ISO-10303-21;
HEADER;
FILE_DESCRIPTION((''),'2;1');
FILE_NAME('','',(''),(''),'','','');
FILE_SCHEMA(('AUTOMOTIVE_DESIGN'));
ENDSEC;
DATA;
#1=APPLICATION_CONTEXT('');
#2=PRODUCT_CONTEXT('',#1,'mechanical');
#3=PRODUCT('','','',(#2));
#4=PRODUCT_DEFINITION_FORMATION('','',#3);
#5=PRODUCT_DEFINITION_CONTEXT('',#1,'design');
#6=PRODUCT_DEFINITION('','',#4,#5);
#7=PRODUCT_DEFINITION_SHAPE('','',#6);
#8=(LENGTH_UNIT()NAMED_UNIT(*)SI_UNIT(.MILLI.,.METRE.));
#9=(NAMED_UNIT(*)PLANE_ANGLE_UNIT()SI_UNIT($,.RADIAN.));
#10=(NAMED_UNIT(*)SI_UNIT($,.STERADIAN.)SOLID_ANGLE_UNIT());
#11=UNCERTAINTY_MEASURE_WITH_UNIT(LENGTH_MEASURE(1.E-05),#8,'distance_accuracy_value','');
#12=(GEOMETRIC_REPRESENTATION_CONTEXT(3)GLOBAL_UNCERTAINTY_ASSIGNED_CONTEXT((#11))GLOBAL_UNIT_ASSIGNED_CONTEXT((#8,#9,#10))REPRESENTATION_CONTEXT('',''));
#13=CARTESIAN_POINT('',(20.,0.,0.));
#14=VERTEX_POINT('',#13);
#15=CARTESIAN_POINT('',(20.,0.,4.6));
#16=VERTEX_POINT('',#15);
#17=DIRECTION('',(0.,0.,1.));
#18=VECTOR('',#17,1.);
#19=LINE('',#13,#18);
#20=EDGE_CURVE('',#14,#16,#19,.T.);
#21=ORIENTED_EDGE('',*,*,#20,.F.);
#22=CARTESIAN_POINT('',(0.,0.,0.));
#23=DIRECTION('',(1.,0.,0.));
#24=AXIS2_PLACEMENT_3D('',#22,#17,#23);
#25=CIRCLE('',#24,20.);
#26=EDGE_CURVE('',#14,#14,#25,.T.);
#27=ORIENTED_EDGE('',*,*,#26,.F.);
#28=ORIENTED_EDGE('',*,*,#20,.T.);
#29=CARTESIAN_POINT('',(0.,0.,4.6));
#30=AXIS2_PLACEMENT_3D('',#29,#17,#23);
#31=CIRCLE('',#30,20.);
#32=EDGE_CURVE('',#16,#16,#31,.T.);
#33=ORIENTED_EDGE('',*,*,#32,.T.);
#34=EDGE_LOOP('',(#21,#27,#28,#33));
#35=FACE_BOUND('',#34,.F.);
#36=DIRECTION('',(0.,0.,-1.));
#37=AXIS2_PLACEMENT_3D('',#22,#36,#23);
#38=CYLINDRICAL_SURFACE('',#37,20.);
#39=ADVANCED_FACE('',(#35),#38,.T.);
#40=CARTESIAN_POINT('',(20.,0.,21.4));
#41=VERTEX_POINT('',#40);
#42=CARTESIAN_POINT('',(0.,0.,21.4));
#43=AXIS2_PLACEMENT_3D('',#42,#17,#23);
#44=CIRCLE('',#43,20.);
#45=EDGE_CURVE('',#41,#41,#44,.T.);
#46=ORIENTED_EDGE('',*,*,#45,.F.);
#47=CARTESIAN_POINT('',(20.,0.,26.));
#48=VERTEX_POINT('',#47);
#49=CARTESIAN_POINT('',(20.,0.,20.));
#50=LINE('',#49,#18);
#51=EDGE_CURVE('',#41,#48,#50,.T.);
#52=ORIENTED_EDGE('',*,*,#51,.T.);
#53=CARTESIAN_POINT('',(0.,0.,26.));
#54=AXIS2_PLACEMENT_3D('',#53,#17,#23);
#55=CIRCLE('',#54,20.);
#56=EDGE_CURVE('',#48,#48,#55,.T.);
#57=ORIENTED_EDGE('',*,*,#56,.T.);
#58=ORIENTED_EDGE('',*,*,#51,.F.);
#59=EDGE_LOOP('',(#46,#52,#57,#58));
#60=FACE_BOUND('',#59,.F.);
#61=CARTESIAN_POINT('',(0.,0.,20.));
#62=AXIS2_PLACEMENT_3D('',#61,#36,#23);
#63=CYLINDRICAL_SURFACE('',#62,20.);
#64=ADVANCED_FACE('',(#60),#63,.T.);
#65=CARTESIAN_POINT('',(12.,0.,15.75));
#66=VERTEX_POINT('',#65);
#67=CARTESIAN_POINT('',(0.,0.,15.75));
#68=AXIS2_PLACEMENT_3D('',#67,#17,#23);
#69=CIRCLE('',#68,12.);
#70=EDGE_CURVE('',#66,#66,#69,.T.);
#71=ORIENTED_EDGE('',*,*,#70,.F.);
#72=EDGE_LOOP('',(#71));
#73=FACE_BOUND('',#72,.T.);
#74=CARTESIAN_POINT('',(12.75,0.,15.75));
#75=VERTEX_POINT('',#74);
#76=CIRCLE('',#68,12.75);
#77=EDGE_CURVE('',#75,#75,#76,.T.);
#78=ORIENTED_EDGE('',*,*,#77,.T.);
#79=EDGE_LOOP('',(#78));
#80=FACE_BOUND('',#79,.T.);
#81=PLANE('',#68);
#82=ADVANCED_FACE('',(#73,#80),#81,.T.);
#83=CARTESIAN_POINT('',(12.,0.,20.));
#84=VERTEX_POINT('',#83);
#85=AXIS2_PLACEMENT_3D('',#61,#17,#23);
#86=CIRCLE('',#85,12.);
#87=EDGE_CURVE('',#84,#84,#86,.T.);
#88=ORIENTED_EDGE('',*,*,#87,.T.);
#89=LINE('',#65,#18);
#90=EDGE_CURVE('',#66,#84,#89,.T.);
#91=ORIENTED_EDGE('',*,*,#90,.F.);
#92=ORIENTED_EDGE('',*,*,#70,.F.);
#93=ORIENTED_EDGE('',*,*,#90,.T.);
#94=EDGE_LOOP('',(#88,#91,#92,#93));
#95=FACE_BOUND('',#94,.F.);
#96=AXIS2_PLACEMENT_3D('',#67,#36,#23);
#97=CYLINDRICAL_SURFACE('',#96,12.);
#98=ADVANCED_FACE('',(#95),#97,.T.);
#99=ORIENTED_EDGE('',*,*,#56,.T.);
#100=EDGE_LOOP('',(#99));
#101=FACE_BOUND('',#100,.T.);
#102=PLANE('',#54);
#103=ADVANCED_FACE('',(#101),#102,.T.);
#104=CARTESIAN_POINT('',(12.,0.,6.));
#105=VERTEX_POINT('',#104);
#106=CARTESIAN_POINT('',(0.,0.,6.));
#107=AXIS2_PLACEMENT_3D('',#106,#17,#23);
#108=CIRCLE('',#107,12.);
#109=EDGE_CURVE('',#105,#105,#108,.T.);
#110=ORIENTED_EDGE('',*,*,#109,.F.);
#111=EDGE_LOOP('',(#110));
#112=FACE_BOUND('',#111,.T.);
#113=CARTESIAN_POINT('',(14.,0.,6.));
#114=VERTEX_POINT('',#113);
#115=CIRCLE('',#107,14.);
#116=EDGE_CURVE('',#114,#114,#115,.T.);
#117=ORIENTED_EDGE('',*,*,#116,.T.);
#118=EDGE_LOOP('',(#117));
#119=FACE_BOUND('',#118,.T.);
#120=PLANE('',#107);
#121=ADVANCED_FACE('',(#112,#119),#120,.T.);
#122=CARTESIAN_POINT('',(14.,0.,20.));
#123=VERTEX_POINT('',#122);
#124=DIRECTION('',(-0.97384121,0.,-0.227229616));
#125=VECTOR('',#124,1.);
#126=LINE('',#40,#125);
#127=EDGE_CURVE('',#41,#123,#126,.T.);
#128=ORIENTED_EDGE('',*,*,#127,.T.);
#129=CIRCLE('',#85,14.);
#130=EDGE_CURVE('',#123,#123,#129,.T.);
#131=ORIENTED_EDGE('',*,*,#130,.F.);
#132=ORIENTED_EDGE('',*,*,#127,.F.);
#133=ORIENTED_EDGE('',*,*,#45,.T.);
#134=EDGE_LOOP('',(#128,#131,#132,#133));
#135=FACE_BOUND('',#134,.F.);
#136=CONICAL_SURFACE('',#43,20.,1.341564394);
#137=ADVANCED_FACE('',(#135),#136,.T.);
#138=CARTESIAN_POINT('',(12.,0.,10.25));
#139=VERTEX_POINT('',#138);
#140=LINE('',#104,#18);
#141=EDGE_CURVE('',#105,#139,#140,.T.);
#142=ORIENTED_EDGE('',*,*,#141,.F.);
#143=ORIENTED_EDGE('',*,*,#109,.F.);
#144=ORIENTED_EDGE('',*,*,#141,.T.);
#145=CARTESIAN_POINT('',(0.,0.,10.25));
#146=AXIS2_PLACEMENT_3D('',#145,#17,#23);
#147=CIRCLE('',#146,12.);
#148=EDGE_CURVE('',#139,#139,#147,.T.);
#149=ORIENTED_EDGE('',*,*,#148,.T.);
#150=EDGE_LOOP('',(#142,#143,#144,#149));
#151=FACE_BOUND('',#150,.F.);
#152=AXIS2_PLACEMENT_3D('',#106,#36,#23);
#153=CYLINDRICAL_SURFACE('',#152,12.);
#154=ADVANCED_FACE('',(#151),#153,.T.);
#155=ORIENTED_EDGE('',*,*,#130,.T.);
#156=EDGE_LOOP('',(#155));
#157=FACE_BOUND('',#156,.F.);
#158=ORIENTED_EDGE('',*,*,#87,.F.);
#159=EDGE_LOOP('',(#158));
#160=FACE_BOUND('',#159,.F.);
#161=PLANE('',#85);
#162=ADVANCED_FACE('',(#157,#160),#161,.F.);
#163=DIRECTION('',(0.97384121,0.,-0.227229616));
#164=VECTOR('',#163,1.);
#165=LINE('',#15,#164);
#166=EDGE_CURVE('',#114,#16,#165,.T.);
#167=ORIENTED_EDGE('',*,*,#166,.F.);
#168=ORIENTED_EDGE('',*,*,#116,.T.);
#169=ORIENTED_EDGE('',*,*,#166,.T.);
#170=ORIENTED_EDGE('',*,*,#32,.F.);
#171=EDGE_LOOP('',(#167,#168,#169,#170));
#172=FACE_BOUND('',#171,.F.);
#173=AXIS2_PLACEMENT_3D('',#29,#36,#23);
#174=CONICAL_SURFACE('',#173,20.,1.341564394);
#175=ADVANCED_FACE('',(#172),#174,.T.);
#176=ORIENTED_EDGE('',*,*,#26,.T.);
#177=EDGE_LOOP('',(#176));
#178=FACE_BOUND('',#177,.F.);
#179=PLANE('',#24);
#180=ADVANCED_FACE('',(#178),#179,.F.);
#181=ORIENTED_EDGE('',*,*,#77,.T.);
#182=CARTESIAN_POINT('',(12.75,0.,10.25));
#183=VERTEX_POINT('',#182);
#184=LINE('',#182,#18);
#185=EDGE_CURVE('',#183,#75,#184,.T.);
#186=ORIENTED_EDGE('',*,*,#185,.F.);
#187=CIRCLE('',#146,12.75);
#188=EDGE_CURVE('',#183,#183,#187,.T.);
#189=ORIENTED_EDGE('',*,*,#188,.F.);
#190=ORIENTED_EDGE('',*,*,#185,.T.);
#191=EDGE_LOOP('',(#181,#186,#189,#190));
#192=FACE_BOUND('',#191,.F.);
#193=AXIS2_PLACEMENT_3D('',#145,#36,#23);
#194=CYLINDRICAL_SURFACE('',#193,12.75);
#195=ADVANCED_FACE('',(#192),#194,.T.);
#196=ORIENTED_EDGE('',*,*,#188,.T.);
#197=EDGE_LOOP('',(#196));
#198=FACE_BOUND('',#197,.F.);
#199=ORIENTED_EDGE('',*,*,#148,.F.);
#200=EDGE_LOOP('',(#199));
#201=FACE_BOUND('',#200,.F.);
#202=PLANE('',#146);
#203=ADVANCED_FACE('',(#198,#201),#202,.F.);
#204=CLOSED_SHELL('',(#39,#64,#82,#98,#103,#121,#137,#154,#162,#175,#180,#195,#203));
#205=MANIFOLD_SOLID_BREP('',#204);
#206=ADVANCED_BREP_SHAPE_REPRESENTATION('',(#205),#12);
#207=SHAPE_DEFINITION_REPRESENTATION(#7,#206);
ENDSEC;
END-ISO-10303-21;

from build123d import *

# Parameters (mm, degrees)
F0_R      = 20
F1_DEPTH  = 6
F3_R      = 12
F4_DEPTH  = 4.25
F6_R      = 12.75
F7_DEPTH  = 5.5
F9_R      = 12
F10_DEPTH = 4.25
F12_R     = 20
F13_DEPTH = 6
F14_SIZE2 = 1.4
F14_SIZE  = 6
F15_SIZE2 = 6
F15_SIZE  = 1.4


with BuildPart() as f1:
    # F0 (on Top) → F1 (new body)
    with BuildSketch(Plane.XY):
        Circle(F0_R)
    extrude(amount=F1_DEPTH)

    # F3 (on offset) → F4 (join)
    with BuildSketch(Plane.XY.offset(6)):
        Circle(F3_R)
    extrude(amount=F4_DEPTH)

    # F6 (on offset) → F7 (join)
    with BuildSketch(Plane.XY.offset(10.25)):
        Circle(F6_R)
    extrude(amount=F7_DEPTH)

    # F9 (on offset) → F10 (join)
    with BuildSketch(Plane.XY.offset(15.75)):
        Circle(F9_R)
    extrude(amount=F10_DEPTH)

    # F12 (on offset) → F13 (join)
    with BuildSketch(Plane.XY.offset(20)):
        Circle(F12_R)
    extrude(amount=F13_DEPTH)

    # F14
    f14_edges = [f1.edges().sort_by_distance(p)[0] for p in [
        (-20, 0, 6),
    ]]
    f14_side = f1.faces().sort_by_distance((-19.434315, 0, 6))[0]
    chamfer(f14_edges, length=F14_SIZE, length2=F14_SIZE2, reference=f14_side)

    # F15
    f15_edges = [f1.edges().sort_by_distance(p)[0] for p in [
        (-20, 0, 20),
    ]]
    f15_side = f1.faces().sort_by_distance((-20, 0, 23))[0]
    chamfer(f15_edges, length=F15_SIZE, length2=F15_SIZE2, reference=f15_side)


solid = f1.part
